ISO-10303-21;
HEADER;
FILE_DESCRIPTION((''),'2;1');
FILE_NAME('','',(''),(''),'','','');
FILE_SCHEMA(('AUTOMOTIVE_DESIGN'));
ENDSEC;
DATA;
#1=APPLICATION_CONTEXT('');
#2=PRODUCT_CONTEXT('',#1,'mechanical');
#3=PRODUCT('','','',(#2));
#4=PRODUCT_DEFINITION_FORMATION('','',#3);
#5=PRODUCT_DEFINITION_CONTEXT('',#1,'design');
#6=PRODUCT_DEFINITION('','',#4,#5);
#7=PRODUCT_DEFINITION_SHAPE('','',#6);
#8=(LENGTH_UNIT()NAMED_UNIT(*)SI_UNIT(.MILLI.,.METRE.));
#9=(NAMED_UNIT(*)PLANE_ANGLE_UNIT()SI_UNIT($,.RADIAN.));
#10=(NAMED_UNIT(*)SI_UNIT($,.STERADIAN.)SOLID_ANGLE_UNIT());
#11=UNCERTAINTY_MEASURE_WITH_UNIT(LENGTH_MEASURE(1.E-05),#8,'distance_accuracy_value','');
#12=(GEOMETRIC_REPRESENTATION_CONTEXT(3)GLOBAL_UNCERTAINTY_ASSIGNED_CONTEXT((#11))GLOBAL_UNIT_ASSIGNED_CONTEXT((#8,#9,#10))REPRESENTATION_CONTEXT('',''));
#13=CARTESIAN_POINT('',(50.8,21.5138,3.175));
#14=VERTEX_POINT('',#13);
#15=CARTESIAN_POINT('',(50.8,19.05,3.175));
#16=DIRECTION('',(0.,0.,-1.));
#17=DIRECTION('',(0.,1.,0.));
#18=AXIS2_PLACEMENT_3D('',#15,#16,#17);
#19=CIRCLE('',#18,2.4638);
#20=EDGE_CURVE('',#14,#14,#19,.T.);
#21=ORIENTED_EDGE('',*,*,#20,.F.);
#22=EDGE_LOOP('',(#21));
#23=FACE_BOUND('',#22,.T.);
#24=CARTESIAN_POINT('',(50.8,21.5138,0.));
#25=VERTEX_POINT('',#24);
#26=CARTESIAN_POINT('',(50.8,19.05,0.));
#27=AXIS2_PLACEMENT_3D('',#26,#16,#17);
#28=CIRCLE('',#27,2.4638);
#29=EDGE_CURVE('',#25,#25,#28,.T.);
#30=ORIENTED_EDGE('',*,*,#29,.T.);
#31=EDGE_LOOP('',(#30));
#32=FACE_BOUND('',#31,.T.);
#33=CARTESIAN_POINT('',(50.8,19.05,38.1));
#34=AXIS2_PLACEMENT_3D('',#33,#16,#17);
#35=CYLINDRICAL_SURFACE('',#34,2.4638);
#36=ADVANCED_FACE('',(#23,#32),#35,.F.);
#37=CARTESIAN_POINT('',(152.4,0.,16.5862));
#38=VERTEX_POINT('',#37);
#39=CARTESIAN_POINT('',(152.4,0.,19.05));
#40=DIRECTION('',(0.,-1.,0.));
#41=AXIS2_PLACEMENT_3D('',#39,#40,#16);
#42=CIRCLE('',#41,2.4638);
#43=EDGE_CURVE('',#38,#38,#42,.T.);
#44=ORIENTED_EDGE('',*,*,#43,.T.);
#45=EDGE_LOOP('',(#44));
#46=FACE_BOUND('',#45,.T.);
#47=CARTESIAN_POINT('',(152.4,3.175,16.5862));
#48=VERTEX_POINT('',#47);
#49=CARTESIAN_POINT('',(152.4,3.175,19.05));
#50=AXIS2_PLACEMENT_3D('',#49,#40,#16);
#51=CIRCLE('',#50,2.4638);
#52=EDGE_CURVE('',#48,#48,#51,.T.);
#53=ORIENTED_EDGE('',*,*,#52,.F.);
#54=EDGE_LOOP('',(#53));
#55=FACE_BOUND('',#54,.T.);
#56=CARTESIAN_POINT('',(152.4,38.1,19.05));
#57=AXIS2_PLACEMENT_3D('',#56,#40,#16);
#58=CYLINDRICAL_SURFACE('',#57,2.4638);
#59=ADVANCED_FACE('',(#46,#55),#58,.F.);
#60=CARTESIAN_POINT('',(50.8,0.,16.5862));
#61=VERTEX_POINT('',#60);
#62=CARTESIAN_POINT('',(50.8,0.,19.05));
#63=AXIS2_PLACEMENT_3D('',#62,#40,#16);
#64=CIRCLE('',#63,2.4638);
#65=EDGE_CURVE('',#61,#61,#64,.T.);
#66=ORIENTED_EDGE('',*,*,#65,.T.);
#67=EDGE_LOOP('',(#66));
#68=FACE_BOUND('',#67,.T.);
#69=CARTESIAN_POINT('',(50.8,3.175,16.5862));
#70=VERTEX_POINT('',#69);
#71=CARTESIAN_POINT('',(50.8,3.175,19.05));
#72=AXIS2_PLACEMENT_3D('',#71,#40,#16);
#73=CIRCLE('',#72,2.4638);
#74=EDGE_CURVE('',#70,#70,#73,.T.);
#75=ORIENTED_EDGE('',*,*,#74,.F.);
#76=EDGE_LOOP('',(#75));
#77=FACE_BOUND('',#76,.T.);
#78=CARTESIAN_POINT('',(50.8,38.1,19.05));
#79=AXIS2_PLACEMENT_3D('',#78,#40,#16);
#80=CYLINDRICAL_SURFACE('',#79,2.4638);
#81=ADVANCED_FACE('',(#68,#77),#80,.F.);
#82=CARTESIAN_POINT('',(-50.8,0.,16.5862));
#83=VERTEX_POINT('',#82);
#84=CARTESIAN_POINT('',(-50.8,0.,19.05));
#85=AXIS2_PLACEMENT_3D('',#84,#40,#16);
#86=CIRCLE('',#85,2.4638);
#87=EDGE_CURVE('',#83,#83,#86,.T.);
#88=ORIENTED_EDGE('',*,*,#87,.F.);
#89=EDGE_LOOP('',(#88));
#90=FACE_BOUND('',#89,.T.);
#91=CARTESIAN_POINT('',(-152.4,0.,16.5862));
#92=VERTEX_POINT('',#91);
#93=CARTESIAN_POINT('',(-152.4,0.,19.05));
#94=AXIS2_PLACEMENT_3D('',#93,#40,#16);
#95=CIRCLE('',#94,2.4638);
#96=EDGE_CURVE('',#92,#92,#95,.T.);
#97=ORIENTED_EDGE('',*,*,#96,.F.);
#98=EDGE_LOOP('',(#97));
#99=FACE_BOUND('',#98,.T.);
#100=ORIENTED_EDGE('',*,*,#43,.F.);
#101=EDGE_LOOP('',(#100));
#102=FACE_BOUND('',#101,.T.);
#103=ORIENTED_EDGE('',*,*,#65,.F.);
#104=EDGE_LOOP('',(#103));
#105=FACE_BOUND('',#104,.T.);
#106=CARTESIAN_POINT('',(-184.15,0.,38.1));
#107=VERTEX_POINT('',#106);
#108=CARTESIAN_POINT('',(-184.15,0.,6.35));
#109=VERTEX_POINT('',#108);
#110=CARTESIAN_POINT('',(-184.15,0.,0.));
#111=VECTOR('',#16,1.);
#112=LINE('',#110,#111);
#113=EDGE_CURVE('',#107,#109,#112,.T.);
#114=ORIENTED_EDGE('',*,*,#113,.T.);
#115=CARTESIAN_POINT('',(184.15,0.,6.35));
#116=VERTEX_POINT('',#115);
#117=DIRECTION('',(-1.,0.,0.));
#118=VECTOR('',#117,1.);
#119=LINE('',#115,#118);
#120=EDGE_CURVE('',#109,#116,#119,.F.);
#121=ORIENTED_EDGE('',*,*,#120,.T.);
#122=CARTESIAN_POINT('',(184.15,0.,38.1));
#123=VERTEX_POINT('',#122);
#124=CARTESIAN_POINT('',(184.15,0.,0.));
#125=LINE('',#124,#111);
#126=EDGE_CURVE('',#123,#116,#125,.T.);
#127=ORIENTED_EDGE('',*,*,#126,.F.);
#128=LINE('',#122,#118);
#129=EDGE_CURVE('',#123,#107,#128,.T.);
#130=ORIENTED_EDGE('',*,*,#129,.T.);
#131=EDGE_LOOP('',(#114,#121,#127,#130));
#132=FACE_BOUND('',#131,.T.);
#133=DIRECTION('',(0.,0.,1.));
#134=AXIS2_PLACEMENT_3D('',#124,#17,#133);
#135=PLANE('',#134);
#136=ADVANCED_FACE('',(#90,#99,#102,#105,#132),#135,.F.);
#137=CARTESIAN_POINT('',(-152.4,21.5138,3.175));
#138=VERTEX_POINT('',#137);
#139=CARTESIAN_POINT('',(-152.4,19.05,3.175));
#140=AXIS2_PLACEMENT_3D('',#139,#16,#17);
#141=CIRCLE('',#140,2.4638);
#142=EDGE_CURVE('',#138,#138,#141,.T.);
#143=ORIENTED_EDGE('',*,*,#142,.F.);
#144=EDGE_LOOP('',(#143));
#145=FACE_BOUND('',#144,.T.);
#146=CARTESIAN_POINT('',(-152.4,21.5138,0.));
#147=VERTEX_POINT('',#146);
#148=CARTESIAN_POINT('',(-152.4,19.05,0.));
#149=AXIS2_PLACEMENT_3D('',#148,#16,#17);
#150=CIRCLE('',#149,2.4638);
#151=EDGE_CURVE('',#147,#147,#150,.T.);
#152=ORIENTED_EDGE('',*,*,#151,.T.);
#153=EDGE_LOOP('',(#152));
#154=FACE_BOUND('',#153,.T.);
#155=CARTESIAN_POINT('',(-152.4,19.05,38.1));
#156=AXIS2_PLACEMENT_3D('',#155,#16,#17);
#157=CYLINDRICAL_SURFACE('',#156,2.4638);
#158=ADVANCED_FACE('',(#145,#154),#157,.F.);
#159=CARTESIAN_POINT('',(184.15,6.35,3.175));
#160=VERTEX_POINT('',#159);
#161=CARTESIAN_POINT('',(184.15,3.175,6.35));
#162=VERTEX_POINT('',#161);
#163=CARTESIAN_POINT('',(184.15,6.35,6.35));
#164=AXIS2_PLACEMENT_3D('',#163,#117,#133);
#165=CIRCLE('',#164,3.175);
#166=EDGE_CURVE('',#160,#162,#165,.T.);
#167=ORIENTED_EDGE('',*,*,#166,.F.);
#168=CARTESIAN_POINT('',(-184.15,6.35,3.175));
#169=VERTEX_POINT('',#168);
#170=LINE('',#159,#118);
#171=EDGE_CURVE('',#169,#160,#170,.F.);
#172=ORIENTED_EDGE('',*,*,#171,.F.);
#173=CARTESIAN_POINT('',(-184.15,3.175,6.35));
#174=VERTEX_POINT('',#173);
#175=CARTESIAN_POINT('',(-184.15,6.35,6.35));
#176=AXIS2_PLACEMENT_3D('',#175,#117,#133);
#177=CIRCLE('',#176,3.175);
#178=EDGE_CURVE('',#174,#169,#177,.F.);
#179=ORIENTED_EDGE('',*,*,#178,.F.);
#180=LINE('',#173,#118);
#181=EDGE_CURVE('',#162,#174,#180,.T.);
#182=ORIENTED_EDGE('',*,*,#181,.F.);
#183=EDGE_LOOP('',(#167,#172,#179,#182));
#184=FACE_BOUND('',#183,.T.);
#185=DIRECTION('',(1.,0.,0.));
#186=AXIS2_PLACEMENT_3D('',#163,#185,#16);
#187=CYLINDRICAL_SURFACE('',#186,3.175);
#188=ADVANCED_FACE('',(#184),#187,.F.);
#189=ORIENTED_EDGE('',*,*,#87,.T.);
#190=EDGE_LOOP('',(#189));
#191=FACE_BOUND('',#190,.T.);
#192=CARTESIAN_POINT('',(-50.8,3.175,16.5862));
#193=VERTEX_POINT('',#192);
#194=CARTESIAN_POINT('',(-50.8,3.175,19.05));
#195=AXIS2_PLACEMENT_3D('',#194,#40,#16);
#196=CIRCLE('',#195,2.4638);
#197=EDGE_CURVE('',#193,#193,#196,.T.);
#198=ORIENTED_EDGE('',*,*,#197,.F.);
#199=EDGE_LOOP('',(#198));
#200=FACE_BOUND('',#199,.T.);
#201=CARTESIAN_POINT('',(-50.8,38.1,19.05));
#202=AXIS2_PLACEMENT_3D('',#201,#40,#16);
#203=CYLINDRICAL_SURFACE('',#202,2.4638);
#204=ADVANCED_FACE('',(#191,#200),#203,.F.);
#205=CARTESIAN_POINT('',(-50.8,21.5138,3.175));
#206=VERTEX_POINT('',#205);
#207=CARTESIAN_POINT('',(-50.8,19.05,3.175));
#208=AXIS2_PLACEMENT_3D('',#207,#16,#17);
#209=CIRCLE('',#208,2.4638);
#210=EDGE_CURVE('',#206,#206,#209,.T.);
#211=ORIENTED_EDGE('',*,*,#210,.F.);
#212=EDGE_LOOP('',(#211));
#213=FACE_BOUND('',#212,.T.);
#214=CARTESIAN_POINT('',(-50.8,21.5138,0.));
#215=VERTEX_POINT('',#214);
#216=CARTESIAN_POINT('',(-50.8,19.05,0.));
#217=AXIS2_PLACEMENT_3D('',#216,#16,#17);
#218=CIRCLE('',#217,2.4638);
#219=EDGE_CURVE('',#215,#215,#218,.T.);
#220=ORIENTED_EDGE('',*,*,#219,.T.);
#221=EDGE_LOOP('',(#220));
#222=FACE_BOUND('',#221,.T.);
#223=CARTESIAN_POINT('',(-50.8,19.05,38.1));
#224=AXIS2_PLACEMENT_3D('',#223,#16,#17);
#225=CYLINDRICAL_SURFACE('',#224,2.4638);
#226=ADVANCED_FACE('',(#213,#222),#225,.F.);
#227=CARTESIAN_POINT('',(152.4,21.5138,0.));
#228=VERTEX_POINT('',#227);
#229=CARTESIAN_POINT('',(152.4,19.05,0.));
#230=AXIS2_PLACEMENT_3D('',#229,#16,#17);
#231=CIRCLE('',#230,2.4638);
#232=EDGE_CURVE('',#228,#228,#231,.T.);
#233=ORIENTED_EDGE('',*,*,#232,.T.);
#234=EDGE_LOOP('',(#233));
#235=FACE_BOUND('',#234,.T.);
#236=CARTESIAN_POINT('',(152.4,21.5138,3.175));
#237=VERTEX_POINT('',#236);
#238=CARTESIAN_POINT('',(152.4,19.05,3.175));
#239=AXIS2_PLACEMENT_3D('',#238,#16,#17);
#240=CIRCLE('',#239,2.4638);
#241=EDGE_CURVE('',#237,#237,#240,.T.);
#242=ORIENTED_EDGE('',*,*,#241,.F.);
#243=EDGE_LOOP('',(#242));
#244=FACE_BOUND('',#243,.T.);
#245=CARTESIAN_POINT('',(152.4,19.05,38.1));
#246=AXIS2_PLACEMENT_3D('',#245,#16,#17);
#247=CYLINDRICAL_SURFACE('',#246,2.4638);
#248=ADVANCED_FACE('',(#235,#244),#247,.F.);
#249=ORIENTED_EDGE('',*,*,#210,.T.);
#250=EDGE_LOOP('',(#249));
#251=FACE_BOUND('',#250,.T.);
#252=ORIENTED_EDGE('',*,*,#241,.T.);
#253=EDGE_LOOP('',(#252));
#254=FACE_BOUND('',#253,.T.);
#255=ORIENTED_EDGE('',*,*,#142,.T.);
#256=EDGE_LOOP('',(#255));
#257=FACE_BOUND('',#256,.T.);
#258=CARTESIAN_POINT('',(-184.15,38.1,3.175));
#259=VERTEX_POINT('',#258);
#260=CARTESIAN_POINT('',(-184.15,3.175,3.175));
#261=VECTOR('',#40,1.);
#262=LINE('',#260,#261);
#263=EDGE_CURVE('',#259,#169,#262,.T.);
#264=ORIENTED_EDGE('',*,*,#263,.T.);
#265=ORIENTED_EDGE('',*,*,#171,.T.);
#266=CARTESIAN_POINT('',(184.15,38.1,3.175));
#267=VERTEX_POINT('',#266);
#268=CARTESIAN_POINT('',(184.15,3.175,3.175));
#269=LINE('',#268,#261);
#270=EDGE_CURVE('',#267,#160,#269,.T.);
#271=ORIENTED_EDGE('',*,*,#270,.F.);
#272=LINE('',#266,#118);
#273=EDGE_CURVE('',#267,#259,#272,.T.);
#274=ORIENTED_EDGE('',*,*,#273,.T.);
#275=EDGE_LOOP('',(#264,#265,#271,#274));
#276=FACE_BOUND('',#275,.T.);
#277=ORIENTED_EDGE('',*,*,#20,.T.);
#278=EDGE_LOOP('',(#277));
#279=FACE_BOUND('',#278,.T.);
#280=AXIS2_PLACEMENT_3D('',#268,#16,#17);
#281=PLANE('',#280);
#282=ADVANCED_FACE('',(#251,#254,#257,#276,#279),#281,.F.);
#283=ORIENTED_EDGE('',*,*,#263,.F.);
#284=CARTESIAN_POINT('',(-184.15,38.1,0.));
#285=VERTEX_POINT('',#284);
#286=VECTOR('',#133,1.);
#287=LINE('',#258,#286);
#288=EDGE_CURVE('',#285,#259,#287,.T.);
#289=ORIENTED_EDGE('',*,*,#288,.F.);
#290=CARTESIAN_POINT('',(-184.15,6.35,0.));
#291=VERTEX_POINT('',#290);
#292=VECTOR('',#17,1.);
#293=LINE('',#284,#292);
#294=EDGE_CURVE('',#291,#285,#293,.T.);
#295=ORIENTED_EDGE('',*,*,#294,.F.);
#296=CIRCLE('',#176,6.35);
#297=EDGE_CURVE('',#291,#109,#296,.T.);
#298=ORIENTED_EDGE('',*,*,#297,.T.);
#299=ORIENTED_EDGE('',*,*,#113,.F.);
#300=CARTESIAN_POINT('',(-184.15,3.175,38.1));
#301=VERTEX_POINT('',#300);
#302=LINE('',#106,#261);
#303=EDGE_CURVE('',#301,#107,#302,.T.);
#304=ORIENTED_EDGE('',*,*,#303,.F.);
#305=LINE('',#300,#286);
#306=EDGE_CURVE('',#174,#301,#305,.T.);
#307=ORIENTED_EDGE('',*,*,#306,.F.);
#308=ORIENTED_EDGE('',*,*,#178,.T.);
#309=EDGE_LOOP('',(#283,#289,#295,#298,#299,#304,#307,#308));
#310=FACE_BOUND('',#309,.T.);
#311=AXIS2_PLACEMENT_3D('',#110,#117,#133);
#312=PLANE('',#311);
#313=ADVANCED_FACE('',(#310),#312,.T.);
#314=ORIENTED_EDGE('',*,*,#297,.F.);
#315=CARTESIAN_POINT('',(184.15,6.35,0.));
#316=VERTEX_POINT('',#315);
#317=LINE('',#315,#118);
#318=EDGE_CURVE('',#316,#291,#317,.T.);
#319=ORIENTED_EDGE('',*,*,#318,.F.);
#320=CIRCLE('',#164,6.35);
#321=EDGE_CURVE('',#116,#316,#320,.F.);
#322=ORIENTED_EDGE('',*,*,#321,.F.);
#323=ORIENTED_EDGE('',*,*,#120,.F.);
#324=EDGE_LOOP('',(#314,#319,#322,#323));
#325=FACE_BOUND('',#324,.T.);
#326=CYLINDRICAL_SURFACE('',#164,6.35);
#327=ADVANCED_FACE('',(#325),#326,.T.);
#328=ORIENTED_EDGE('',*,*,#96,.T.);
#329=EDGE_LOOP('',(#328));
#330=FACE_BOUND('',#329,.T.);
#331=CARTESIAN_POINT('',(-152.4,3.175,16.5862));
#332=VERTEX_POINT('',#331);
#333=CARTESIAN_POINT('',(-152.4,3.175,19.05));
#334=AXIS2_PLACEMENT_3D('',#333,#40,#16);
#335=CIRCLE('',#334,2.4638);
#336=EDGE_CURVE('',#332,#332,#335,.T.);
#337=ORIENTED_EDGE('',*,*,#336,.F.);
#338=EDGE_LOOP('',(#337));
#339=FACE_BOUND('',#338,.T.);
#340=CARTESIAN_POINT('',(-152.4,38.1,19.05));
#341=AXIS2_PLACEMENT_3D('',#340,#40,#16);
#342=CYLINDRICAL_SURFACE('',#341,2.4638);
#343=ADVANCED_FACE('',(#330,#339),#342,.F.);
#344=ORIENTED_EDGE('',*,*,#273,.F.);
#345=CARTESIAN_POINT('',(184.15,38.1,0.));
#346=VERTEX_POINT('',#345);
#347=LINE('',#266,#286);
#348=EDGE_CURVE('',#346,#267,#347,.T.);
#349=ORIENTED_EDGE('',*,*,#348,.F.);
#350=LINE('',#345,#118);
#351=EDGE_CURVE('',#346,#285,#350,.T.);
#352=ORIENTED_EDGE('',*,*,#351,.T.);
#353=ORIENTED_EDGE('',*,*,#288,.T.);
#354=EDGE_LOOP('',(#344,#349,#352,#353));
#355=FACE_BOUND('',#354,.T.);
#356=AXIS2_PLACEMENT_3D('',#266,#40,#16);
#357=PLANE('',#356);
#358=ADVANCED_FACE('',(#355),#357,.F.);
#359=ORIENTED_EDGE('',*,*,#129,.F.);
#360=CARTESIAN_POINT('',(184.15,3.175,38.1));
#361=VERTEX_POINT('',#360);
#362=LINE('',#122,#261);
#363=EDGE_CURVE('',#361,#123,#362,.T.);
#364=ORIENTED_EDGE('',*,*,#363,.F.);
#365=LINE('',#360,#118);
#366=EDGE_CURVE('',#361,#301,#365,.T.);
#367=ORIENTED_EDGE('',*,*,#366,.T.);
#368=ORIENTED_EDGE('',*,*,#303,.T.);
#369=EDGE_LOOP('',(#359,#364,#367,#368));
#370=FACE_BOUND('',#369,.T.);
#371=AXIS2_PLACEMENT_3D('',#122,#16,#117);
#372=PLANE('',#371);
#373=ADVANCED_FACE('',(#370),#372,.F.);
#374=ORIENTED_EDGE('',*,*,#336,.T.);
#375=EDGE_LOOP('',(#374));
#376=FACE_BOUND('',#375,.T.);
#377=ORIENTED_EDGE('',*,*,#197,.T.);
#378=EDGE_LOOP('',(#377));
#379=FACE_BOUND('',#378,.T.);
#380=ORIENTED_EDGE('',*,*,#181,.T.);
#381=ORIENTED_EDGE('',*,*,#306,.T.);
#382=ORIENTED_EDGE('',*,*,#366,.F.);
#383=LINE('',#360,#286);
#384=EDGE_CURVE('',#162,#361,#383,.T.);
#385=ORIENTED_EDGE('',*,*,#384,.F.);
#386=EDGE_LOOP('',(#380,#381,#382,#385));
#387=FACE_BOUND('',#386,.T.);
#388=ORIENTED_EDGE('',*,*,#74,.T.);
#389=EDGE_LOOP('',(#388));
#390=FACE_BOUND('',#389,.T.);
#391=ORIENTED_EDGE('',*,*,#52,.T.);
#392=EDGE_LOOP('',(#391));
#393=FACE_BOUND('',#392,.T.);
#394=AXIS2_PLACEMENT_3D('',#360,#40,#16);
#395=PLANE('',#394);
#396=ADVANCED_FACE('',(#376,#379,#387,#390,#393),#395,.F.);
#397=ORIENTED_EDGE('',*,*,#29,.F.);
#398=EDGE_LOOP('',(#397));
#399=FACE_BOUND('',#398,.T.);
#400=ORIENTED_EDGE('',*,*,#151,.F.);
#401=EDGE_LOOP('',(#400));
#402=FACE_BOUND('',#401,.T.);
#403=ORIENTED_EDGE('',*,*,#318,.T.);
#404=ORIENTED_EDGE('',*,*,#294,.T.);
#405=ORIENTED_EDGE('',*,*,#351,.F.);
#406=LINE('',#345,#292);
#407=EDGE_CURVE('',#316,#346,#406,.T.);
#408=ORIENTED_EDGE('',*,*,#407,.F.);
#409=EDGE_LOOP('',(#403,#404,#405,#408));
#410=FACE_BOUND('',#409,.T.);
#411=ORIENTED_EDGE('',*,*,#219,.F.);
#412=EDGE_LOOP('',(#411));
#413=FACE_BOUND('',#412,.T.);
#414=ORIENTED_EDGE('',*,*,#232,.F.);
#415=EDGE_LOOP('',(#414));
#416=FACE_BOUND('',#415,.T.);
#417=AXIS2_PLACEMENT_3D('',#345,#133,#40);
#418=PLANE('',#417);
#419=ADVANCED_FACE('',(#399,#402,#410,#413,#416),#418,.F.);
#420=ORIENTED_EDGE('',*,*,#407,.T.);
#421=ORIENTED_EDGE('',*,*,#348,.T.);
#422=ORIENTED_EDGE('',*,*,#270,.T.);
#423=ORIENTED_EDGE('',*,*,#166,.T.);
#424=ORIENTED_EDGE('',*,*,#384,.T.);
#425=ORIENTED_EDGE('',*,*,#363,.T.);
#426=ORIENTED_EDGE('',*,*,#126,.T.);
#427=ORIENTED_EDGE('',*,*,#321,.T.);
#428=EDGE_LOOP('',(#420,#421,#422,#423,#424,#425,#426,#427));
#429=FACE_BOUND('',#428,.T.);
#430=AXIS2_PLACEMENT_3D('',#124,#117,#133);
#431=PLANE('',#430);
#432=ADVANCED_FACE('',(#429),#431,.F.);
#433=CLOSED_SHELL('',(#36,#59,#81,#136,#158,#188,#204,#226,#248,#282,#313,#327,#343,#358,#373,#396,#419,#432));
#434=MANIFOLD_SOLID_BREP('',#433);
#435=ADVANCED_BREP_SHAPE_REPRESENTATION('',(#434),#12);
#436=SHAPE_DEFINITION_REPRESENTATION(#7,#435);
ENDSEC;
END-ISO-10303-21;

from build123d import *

# Parameters (mm, degrees)
BOSS_EXTRUDE1_DEPTH = 184.15
FILLET1_R           = 3.175
FILLET2_R           = 6.35
SKETCH2_R           = 2.4638
CUT_EXTRUDE1_DEPTH  = 39.1
SKETCH3_R           = 2.4638
CUT_EXTRUDE2_DEPTH  = 39.1
LPATTERN1_COUNT     = 4
LPATTERN1_PITCH     = 101.6


with BuildPart() as part:
    # Sketch1 → Boss-Extrude1 (new body, symmetric)
    with BuildSketch(Plane(origin=(0, 0, 0), x_dir=(0, 0, -1), z_dir=(1, 0, 0))):
        Polygon((0, 38.1), (0, 0), (-38.1, 0), (-38.1, 3.175), (-3.175, 3.175), (-3.175, 38.1), align=None)
    extrude(amount=BOSS_EXTRUDE1_DEPTH, both=True)

    # Fillet1
    fillet1_edges = [part.edges().sort_by_distance(p)[0] for p in [
        (0, 3.175, 3.175),
    ]]
    fillet(fillet1_edges, radius=FILLET1_R)

    # Fillet2
    fillet2_edges = [part.edges().sort_by_distance(p)[0] for p in [
        (0, 0, 0),
    ]]
    fillet(fillet2_edges, radius=FILLET2_R)

    # Sketch2 → Cut-Extrude1 (cut, through all)
    with BuildSketch(Plane(origin=(0, 0, 0), x_dir=(-1, 0, 0), z_dir=(0, 0, -1))):
        with Locations((152.4, 19.05)):
            Circle(SKETCH2_R)
    cut_extrude1 = extrude(amount=-CUT_EXTRUDE1_DEPTH, mode=Mode.SUBTRACT)

    # Sketch3 → Cut-Extrude2 (cut, through all)
    with BuildSketch(Plane.XZ):
        with Locations((-152.4, 19.05)):
            Circle(SKETCH3_R)
    cut_extrude2 = extrude(amount=-CUT_EXTRUDE2_DEPTH, mode=Mode.SUBTRACT)

    # LPattern1: Cut-Extrude1, Cut-Extrude2 ×4
    with Locations(*[(i * LPATTERN1_PITCH, 0, 0) for i in range(1, LPATTERN1_COUNT)]):
        add(cut_extrude1, mode=Mode.SUBTRACT)
        add(cut_extrude2, mode=Mode.SUBTRACT)


solid = part.part
